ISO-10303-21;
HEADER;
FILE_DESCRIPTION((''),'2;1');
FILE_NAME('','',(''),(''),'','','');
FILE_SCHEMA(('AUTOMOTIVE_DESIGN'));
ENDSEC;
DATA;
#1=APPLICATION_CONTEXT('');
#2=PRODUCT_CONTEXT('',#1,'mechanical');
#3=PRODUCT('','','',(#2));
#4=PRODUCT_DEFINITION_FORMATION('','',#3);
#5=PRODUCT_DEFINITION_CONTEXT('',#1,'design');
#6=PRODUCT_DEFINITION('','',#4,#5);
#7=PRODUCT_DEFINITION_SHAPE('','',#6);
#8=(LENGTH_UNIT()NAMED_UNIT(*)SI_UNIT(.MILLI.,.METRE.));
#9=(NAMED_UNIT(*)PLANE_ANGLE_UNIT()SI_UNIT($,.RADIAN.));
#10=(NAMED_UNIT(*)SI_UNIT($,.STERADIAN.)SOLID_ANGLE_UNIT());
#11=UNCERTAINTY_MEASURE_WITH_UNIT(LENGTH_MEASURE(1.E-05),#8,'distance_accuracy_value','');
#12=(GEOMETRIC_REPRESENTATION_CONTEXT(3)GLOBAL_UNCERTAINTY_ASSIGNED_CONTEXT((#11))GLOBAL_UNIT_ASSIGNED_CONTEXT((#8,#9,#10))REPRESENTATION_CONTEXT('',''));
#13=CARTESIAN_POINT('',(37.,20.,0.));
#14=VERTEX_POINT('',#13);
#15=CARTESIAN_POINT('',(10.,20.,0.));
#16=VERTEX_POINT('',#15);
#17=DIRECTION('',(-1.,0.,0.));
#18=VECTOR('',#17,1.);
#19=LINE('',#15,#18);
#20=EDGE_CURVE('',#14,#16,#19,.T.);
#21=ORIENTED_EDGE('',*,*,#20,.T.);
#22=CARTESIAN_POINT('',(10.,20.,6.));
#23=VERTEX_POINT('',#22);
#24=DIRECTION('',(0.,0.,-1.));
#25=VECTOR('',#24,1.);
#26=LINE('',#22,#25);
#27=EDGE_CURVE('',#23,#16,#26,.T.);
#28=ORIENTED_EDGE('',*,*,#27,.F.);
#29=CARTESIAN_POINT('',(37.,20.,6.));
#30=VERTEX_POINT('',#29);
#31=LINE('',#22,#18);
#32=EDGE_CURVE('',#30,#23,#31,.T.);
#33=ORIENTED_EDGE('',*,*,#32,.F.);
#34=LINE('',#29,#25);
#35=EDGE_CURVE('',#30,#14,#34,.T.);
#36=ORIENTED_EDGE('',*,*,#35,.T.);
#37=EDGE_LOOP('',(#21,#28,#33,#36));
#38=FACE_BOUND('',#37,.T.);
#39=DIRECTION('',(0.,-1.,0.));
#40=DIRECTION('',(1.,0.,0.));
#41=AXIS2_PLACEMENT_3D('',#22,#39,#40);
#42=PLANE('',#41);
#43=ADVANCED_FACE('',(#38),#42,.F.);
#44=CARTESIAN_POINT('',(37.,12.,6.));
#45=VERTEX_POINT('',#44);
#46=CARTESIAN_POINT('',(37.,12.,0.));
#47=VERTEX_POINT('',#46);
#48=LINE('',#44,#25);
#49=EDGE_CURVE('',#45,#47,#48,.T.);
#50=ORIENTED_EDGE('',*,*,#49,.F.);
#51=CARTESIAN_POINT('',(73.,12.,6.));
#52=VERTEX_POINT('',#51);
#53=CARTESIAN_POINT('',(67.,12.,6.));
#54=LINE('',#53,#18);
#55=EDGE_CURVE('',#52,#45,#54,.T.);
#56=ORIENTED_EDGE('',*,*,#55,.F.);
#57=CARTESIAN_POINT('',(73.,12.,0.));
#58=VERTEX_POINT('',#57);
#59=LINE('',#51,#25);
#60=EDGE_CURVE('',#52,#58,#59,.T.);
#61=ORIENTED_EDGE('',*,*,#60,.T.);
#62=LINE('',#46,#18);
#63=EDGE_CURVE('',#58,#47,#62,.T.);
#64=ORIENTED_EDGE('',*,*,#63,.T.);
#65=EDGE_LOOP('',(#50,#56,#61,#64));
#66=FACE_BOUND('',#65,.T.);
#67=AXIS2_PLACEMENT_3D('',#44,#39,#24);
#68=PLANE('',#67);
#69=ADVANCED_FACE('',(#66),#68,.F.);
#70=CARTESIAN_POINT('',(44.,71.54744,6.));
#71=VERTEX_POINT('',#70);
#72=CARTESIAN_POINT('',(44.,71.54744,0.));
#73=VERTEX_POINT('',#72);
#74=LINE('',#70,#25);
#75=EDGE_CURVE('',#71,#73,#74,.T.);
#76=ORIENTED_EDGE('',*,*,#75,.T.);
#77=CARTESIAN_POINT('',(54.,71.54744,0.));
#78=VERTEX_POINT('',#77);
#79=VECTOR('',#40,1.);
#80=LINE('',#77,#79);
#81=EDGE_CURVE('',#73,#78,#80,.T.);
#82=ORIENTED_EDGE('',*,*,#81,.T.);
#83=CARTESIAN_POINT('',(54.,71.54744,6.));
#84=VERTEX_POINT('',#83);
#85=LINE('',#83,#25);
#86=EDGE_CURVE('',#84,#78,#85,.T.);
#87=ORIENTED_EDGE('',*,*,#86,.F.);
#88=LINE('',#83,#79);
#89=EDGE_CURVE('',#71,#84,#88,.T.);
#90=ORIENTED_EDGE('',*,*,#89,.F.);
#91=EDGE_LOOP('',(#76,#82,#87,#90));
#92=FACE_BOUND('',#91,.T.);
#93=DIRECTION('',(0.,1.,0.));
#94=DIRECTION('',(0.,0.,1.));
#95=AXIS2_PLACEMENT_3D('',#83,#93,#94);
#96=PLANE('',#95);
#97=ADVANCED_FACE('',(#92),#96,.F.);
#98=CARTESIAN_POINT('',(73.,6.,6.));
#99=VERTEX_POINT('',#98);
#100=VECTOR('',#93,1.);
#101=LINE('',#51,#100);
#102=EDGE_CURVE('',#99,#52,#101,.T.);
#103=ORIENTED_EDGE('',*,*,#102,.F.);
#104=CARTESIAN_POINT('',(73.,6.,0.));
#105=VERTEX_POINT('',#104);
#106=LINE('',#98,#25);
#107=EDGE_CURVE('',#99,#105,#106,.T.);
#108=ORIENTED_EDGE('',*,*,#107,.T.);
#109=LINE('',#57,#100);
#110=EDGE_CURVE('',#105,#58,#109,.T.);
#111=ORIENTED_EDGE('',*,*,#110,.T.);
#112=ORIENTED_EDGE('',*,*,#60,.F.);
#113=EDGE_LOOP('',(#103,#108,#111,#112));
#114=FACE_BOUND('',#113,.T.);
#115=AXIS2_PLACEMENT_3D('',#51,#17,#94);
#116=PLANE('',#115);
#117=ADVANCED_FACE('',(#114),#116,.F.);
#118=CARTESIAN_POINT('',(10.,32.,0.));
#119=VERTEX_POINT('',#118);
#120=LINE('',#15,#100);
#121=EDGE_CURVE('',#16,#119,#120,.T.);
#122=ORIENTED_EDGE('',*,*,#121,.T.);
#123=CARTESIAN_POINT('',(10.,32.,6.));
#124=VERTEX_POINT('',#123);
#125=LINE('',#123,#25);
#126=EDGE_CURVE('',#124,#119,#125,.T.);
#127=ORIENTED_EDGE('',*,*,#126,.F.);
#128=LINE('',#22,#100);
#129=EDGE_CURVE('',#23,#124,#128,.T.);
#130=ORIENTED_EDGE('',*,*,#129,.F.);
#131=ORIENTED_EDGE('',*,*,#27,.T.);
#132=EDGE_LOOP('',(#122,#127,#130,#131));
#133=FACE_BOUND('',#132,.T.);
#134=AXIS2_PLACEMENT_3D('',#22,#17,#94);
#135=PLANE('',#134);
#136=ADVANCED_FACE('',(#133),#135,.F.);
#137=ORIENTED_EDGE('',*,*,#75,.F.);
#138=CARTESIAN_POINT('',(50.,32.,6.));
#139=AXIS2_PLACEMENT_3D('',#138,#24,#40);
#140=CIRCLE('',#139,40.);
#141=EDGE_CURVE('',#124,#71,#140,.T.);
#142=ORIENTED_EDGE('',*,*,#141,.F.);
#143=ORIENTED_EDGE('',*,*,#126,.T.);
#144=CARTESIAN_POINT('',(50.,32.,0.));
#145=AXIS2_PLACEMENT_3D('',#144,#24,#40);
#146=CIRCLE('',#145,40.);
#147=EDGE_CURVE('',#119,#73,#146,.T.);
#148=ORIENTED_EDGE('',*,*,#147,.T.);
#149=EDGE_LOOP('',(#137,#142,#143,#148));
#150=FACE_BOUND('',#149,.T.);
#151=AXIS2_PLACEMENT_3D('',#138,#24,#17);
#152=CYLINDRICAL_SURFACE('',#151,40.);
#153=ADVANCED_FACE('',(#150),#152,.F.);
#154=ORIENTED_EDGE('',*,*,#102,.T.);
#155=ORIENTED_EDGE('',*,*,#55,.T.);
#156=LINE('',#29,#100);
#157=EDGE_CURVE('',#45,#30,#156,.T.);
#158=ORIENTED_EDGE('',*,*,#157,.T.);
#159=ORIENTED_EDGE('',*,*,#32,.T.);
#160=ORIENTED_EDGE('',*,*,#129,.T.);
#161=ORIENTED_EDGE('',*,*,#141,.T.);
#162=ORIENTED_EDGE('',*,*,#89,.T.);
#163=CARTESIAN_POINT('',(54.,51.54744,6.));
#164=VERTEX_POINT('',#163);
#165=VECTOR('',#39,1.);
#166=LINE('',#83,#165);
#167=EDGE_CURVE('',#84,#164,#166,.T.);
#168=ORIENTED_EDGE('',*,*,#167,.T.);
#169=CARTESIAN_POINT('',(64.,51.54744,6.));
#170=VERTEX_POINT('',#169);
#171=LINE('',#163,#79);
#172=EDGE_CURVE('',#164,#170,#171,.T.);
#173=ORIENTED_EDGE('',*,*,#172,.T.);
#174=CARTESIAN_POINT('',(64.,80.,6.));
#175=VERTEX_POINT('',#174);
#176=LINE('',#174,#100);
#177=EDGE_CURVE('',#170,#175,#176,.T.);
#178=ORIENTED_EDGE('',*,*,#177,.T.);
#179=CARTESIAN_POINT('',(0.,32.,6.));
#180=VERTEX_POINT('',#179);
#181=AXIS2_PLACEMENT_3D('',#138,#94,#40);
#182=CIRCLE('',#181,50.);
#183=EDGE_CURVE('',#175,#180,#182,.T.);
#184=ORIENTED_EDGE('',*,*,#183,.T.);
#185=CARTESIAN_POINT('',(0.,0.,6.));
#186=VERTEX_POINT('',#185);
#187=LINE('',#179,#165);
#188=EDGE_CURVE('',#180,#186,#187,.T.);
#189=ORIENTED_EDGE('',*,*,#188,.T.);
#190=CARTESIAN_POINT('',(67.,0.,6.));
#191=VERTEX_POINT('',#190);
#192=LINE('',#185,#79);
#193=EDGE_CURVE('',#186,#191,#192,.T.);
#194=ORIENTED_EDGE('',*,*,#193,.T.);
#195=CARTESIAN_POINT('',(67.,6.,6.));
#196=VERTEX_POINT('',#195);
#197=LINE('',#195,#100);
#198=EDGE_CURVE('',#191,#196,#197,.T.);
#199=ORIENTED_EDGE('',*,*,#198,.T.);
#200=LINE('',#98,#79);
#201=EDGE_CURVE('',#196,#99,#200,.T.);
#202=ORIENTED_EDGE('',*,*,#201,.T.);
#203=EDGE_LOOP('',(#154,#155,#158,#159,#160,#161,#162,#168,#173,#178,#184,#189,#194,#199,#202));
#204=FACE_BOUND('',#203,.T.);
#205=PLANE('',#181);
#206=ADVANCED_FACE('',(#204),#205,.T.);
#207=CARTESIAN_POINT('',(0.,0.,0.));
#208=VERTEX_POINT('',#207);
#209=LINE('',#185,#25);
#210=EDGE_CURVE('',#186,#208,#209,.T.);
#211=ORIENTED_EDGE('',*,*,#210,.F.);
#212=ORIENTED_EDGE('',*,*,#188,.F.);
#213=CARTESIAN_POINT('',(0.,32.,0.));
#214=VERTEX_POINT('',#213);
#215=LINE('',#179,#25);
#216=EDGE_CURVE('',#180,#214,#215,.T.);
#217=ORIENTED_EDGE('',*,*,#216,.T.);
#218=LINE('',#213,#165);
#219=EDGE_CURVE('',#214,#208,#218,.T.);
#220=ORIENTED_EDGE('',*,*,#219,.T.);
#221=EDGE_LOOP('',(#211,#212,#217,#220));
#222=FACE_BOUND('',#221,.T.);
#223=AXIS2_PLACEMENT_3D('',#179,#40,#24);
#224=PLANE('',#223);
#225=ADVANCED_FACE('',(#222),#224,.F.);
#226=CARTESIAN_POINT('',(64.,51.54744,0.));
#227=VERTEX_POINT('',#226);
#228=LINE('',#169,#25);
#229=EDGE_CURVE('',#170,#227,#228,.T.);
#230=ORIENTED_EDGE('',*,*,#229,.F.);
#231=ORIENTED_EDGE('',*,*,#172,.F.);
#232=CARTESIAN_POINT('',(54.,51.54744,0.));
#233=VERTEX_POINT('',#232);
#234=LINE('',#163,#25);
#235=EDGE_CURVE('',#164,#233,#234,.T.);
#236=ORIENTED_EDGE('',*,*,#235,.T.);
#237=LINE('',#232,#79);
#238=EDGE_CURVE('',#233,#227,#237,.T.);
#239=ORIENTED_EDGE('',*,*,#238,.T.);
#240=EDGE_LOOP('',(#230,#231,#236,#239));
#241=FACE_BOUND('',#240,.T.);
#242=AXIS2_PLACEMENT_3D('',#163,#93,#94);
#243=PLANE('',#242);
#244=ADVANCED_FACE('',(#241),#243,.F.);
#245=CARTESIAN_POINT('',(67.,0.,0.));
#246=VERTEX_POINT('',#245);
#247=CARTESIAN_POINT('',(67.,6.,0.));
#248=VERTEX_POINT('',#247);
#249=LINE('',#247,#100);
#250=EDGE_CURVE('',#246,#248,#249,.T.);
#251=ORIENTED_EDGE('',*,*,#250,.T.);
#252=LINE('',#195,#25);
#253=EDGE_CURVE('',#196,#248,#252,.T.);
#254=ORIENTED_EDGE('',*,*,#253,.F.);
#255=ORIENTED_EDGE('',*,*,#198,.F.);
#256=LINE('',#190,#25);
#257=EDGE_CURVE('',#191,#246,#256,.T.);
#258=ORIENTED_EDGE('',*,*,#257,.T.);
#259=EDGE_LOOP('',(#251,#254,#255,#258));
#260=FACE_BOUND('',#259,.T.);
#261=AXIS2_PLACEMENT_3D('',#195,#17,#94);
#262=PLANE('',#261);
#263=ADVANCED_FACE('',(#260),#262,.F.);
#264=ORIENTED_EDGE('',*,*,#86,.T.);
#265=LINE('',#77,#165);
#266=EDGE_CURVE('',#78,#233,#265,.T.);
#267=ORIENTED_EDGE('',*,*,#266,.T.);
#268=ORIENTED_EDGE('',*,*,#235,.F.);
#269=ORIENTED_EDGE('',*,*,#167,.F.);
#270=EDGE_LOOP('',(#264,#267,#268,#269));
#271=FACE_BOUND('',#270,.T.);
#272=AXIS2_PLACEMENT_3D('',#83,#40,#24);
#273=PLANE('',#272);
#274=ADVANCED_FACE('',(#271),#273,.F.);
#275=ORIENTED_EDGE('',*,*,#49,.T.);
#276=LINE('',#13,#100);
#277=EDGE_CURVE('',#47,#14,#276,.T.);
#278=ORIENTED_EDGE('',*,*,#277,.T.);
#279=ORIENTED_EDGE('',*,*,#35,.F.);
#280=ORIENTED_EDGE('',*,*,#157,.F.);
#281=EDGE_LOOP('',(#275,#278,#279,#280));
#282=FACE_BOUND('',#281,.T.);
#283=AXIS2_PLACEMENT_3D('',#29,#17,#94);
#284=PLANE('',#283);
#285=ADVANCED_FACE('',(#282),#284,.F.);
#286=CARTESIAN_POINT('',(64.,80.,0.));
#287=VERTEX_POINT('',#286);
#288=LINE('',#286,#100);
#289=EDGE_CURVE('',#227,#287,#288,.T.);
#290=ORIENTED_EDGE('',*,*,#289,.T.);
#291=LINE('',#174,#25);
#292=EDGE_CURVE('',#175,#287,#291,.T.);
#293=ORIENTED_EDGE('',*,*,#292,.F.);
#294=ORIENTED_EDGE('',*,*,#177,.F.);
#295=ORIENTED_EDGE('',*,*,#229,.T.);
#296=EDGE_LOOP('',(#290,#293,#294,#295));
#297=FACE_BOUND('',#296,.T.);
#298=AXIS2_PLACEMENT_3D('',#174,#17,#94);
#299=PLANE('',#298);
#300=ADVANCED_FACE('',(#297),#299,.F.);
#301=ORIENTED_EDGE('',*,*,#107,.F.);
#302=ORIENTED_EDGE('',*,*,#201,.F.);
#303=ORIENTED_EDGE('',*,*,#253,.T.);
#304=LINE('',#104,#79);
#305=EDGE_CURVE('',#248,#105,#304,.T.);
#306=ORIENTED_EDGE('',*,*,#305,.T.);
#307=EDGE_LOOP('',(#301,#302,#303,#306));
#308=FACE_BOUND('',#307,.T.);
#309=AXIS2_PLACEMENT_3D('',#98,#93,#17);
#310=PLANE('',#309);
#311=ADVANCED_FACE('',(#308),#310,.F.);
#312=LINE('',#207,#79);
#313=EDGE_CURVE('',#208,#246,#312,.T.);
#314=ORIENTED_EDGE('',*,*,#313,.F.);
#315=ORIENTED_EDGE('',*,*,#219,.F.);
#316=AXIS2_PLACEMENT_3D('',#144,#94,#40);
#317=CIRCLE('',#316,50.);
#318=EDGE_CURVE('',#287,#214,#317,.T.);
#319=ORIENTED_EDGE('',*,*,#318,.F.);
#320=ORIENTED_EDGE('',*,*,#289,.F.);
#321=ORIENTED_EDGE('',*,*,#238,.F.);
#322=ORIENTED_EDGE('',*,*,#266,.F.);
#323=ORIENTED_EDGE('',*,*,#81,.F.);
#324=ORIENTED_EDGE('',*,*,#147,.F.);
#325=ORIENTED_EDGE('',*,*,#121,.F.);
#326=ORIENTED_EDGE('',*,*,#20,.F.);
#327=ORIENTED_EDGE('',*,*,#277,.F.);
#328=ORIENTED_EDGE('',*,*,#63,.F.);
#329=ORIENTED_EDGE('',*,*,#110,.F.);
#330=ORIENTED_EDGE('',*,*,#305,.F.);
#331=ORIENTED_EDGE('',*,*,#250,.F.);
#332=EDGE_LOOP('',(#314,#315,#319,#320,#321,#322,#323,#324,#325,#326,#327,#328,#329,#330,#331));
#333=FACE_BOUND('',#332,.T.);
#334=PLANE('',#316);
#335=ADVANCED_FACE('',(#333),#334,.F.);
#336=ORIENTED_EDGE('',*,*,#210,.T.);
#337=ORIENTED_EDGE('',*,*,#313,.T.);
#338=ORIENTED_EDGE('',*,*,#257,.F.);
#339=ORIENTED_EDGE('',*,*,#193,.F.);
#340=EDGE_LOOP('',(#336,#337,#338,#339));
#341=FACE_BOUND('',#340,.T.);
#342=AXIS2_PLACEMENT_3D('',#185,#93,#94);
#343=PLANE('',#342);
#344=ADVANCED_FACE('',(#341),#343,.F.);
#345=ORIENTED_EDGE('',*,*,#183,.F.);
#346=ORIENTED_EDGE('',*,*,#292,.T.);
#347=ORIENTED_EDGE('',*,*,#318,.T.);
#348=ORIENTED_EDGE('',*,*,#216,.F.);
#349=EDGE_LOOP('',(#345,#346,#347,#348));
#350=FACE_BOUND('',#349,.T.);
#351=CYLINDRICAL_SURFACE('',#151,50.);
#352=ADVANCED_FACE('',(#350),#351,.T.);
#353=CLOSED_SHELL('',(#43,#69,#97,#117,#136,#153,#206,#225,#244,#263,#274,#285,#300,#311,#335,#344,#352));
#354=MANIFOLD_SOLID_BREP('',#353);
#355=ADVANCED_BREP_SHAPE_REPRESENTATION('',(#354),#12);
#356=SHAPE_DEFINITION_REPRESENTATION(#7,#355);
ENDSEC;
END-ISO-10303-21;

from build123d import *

# Parameters (mm, degrees)
EXTRUDE_1_DEPTH = 6


with BuildPart() as part:
    # Эскиз2 → Бобышка-Вытянуть1 (new body)
    with BuildSketch(Plane.XY):
        with BuildLine():
            Line((10, 20), (10, 32))
            ThreePointArc((10, 32), (19.668498224, 58.076809621), (44, 71.547439867))
            Line((44, 71.547439867), (54, 71.547439867))
            Line((54, 71.547439867), (54, 51.547439867))
            Line((54, 51.547439867), (64, 51.547439867))
            Line((64, 51.547439867), (64, 80))
            ThreePointArc((64, 80), (20, 72), (0, 32))
            Line((0, 32), (0, 0))
            Line((0, 0), (67, 0))
            Line((67, 0), (67, 6))
            Line((67, 6), (73, 6))
            Line((73, 6), (73, 12))
            Line((73, 12), (67, 12))
            Line((67, 12), (37, 12))
            Line((37, 12), (37, 20))
            Line((37, 20), (10, 20))
        make_face()
    extrude(amount=EXTRUDE_1_DEPTH)


solid = part.part
